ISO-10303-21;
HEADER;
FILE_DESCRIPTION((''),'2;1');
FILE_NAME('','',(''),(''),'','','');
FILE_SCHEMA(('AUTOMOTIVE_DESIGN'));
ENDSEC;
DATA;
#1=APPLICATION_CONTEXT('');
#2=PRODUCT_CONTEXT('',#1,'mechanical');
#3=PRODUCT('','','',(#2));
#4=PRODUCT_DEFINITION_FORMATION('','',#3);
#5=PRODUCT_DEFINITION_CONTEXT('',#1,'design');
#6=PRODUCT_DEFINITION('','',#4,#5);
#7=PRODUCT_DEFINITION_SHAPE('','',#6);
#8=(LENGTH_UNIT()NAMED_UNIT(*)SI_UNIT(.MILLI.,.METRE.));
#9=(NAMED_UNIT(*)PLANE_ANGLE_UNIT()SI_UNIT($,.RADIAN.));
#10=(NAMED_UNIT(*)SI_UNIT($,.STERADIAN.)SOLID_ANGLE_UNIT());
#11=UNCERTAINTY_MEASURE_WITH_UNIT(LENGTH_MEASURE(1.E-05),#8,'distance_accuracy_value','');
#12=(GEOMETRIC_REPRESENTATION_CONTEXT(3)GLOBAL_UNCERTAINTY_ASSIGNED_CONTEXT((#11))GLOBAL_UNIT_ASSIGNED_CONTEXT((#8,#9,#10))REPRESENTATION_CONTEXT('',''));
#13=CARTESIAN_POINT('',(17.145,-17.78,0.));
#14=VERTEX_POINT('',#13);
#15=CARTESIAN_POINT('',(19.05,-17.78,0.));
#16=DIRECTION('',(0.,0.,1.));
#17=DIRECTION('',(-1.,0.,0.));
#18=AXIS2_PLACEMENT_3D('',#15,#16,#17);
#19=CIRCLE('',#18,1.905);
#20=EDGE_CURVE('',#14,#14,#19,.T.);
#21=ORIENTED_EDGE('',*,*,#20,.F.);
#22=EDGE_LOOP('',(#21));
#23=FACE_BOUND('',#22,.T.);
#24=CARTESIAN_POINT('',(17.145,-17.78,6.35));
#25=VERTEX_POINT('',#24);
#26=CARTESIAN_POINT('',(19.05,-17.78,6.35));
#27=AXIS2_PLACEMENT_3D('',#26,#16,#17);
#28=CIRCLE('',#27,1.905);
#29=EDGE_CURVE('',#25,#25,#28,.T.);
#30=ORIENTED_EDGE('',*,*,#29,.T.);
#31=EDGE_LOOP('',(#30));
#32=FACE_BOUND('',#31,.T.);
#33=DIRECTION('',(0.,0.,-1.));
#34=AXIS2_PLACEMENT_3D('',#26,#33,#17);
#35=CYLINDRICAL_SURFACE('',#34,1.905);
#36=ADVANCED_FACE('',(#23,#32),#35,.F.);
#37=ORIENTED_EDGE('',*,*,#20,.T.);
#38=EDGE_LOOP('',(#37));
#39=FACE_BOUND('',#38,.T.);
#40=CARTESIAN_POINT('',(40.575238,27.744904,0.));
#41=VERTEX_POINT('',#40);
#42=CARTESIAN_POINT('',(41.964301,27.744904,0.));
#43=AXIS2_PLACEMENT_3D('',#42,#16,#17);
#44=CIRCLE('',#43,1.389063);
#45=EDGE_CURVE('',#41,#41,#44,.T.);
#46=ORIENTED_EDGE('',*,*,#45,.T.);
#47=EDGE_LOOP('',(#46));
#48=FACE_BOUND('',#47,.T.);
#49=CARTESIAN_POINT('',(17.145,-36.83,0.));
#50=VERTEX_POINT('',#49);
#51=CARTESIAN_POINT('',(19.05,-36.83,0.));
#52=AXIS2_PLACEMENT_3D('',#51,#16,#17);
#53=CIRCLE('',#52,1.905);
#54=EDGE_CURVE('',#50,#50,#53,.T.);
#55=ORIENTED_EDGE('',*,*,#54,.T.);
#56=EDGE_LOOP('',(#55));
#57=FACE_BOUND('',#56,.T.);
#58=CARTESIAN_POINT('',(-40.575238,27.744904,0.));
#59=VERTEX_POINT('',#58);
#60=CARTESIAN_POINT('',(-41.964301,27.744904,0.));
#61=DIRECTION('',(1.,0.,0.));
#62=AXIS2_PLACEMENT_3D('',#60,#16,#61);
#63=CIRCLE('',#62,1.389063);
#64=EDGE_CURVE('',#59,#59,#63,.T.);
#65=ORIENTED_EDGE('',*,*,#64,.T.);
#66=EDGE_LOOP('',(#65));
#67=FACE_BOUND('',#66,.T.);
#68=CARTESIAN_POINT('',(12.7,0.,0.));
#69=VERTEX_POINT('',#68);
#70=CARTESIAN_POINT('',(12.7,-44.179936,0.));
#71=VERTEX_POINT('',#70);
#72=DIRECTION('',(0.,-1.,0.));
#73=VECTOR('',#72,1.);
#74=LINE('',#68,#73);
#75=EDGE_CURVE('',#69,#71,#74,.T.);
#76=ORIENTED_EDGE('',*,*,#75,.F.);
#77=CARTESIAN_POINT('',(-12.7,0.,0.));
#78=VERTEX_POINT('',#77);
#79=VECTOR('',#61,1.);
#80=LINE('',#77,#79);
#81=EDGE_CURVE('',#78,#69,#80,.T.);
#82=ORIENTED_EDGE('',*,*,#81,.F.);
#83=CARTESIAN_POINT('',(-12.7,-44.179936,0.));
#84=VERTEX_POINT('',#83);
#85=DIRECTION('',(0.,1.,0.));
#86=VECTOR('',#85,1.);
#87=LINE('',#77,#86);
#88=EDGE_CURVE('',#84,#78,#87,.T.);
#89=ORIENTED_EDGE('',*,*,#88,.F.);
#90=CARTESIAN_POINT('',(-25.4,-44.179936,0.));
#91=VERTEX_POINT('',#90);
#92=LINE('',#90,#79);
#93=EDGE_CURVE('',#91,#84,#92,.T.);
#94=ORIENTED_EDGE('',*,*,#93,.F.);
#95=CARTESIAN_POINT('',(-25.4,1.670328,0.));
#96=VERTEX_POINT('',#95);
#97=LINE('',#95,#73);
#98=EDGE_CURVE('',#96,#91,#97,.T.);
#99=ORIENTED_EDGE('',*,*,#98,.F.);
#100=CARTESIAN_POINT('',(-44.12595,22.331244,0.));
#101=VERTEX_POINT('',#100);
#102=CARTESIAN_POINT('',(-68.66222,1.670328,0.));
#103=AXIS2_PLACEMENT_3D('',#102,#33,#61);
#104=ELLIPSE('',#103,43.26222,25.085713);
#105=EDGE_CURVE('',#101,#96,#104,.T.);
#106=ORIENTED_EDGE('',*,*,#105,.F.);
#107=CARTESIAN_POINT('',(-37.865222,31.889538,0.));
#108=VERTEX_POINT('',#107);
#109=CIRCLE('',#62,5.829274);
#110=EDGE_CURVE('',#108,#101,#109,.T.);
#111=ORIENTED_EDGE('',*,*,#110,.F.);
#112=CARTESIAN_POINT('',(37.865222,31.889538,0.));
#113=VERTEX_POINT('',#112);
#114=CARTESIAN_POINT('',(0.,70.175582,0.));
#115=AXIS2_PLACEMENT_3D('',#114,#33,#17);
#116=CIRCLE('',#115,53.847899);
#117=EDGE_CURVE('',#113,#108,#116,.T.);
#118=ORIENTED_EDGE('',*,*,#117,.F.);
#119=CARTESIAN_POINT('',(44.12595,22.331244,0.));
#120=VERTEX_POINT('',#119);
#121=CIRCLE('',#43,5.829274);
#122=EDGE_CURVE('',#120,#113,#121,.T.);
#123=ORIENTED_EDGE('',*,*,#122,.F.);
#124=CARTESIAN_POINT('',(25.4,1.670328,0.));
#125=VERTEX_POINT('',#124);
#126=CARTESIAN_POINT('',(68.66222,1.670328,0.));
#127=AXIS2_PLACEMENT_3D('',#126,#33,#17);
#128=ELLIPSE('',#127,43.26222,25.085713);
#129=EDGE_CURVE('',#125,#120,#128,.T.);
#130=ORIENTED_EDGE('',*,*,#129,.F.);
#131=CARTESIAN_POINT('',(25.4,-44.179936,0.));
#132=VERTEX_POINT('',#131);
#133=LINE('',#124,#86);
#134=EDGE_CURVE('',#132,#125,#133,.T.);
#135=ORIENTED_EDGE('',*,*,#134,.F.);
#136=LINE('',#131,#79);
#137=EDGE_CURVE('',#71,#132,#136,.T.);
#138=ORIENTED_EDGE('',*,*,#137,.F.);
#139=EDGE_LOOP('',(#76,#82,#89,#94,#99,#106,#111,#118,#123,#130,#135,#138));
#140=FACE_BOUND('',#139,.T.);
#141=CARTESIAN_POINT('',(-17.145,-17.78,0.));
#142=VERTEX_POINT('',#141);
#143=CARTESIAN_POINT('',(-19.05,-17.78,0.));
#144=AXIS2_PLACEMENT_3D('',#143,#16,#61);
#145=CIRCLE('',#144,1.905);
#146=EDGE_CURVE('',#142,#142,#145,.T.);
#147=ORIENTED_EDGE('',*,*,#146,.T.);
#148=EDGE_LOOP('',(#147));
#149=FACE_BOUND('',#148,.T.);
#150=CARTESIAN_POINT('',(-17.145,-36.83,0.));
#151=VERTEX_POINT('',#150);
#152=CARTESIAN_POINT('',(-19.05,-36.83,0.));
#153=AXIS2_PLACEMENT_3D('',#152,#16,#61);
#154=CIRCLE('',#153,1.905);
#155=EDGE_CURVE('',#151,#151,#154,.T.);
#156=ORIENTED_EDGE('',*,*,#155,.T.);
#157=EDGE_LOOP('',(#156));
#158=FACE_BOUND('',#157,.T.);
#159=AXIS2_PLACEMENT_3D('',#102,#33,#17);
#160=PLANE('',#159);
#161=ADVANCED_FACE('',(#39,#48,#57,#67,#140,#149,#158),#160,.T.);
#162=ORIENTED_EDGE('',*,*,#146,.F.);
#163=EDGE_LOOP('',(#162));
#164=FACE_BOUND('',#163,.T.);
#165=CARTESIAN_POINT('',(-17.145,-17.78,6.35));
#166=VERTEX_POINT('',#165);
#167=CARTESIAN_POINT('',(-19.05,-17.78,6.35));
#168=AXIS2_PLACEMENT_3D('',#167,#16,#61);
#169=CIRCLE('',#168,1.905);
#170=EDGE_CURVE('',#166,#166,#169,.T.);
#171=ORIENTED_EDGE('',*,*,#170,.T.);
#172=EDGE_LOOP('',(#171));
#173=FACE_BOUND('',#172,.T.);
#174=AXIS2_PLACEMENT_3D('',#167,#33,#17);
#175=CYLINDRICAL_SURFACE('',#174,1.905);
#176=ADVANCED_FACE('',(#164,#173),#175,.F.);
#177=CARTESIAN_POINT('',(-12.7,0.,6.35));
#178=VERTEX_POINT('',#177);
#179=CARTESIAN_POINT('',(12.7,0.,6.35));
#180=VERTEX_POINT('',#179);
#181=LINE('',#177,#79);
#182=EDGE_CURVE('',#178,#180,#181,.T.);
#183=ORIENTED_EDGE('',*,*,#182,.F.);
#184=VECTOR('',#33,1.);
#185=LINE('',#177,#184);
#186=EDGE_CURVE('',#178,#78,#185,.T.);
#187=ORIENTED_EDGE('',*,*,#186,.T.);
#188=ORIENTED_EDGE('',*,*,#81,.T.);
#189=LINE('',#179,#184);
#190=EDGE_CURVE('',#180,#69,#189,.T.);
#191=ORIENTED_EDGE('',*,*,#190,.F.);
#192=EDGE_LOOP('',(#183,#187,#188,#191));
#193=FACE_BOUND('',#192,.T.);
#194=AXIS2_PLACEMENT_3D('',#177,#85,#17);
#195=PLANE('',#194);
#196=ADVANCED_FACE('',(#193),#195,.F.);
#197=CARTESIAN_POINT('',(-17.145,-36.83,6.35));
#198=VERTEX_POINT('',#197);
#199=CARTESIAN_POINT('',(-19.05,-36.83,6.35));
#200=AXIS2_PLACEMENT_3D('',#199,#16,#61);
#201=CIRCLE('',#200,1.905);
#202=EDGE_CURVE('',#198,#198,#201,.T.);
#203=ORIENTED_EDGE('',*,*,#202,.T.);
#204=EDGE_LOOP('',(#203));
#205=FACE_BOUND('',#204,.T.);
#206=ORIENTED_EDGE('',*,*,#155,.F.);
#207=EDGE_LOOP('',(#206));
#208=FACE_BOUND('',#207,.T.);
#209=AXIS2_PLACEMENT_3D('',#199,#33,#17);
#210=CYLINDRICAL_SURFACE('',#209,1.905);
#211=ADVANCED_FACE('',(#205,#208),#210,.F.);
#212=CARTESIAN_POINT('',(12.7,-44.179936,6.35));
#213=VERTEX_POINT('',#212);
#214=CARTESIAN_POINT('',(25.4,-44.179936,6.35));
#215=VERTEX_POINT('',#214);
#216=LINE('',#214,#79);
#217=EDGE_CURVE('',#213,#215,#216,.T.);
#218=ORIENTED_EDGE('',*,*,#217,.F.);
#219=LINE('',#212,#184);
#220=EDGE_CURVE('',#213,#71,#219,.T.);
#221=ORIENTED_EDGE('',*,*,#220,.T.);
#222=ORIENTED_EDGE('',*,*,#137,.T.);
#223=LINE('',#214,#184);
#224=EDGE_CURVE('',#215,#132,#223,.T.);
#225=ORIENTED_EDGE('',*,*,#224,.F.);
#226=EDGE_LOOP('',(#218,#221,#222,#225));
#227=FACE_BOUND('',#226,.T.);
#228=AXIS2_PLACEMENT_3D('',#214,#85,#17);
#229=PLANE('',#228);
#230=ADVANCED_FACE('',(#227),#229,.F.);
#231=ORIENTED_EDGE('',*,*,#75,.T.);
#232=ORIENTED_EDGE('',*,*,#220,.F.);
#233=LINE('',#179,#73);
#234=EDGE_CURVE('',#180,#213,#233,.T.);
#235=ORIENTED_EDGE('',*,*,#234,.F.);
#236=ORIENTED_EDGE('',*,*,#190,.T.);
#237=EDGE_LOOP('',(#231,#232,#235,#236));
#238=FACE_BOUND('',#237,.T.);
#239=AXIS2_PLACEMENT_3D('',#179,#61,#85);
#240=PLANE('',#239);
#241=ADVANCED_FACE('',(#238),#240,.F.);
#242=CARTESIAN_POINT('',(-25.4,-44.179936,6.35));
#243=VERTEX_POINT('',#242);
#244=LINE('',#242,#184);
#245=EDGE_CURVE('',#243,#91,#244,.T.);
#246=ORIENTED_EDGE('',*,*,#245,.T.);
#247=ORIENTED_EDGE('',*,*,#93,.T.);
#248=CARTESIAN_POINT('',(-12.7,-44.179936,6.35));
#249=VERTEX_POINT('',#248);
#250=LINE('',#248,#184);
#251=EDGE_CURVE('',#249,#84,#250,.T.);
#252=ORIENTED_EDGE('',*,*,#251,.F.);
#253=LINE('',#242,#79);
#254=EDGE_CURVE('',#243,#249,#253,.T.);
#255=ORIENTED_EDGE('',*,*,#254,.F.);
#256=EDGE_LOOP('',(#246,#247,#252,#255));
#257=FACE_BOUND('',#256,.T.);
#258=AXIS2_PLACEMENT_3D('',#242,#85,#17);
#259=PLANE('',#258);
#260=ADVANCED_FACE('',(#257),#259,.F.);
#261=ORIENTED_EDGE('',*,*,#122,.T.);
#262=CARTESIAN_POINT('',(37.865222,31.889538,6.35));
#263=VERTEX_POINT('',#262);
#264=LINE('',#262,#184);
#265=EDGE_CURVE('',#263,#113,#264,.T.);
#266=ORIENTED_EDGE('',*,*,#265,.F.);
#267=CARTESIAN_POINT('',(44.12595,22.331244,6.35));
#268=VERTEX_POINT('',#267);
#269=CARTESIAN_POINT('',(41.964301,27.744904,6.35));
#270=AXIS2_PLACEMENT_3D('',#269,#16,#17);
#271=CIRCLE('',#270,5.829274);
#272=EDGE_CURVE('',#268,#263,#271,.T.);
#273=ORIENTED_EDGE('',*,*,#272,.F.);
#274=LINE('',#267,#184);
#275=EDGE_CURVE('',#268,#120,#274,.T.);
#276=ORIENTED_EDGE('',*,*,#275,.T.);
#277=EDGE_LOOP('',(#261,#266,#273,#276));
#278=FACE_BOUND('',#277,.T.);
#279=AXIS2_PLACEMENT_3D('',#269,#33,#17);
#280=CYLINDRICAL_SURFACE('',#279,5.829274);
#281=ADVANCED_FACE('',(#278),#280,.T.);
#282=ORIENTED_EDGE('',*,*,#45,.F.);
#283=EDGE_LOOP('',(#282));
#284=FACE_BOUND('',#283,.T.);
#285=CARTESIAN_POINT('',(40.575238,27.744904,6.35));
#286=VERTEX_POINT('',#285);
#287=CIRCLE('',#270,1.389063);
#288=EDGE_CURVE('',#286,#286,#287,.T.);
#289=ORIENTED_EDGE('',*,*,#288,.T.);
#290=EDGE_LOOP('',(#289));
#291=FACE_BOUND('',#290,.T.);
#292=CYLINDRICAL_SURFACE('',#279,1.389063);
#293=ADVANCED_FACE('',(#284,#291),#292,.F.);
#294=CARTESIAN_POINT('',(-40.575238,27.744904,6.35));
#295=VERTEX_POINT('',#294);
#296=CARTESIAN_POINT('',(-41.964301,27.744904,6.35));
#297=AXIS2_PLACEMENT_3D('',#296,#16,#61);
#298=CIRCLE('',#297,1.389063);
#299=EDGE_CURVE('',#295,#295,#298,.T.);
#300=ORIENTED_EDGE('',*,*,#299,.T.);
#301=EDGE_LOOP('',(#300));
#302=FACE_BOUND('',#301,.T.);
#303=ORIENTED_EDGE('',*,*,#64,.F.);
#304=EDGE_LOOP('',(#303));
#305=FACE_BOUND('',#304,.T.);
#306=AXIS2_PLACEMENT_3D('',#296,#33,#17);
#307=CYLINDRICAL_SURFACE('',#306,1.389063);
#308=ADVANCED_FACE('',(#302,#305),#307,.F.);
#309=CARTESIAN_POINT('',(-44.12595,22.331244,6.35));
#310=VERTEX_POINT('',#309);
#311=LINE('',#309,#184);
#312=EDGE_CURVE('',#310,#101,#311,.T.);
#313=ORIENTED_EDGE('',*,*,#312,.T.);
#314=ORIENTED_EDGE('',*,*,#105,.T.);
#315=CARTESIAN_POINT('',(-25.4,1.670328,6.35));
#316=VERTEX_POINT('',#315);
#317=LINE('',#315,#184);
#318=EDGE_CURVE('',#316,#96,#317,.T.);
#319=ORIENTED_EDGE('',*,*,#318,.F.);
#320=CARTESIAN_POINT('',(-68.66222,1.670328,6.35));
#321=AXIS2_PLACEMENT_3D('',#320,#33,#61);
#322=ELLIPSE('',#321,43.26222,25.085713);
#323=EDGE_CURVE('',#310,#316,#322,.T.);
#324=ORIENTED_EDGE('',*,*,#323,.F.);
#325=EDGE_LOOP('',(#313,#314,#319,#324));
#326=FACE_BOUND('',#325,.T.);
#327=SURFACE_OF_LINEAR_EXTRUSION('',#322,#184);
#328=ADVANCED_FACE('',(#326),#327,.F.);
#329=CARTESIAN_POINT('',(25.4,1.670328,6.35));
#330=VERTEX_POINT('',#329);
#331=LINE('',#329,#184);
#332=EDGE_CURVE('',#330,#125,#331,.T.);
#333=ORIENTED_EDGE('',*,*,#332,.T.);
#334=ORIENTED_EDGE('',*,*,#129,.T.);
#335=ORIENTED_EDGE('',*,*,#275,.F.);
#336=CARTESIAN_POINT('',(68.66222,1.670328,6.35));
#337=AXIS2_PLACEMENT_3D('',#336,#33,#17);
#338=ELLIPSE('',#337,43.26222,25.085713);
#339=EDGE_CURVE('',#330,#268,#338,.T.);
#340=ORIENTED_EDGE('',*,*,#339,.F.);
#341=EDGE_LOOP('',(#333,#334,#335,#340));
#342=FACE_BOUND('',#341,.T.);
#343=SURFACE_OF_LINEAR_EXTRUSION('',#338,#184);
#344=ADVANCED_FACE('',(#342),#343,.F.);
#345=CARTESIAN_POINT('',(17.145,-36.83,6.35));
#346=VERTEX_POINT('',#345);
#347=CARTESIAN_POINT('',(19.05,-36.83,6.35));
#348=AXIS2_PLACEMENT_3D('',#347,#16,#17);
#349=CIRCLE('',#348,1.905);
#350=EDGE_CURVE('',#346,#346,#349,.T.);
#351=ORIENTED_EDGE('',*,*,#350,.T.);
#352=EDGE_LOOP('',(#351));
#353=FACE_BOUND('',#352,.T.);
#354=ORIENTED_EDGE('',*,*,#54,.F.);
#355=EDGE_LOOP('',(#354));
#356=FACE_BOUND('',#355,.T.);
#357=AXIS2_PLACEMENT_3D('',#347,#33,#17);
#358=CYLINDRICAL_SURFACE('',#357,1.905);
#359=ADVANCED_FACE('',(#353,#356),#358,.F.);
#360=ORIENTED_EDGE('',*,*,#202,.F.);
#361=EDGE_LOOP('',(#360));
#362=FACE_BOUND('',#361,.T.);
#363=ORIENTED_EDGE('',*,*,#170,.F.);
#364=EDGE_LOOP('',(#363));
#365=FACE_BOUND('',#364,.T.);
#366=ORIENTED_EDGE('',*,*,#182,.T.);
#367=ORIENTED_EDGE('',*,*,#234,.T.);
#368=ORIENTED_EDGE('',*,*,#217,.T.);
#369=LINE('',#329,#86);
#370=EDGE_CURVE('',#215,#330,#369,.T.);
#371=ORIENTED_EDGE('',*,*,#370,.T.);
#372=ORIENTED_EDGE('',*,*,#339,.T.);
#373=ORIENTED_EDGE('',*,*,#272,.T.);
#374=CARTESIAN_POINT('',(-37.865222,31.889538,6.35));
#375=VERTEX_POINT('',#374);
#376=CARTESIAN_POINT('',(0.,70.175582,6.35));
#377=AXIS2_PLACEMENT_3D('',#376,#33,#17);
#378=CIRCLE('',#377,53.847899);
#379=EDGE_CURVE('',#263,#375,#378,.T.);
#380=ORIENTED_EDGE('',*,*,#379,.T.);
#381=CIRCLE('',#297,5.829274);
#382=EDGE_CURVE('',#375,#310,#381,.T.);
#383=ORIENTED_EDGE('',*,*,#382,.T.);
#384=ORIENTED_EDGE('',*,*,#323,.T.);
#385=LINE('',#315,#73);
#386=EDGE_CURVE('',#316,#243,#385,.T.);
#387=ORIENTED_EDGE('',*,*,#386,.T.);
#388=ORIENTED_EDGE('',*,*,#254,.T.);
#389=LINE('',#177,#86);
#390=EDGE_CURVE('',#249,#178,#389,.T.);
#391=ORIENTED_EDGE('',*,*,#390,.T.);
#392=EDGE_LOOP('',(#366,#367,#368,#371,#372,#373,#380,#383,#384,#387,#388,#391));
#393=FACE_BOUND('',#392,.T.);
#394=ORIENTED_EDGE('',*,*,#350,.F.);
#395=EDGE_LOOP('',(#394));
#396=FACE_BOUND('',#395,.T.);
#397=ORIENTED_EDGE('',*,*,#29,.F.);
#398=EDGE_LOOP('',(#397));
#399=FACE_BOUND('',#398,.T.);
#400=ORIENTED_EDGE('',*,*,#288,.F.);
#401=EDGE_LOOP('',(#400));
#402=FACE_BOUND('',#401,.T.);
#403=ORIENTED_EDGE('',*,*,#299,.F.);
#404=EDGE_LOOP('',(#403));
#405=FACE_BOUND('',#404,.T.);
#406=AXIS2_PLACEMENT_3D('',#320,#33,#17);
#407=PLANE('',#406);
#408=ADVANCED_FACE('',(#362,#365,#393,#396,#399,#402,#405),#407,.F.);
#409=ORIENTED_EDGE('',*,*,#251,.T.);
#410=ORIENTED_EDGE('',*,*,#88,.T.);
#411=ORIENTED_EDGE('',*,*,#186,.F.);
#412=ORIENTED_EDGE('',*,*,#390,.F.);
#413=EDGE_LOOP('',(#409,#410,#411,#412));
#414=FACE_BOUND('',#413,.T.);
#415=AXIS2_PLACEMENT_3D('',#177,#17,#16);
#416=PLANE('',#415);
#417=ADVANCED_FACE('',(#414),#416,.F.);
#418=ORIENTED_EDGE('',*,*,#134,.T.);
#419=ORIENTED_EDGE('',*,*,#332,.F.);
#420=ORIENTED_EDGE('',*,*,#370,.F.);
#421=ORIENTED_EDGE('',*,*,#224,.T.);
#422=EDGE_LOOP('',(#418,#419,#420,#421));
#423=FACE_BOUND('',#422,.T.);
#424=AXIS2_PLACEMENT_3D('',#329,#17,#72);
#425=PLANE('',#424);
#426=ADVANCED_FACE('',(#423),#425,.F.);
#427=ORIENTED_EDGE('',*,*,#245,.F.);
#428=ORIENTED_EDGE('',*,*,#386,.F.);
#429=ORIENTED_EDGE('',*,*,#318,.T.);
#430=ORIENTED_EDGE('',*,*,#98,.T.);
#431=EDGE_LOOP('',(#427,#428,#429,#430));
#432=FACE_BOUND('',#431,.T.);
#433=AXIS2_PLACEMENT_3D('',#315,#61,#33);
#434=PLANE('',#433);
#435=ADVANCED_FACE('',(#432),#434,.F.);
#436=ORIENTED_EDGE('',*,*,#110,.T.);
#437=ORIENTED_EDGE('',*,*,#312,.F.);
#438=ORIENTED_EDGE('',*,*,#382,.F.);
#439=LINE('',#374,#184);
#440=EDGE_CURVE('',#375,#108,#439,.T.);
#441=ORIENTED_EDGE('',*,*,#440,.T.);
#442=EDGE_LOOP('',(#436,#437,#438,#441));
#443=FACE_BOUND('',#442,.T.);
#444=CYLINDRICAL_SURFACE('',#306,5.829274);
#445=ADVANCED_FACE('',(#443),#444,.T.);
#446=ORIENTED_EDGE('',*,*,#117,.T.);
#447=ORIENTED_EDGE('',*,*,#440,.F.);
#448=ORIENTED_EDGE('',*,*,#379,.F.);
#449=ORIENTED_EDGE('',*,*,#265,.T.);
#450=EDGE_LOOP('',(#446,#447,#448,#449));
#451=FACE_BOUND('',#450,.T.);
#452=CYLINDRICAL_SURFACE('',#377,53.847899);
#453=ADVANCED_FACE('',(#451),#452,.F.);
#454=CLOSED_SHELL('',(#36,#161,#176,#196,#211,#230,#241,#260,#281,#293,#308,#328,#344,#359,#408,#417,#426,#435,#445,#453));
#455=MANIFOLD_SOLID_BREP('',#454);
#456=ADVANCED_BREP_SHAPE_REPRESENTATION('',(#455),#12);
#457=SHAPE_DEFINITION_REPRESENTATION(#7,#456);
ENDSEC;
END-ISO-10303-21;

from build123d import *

# Parameters (mm, degrees)
SKETCH1_R           = 1.3890625
SKETCH1_R_2         = 1.905
BOSS_EXTRUDE1_DEPTH = 6.35


with BuildPart() as part:
    # Sketch1 → Boss-Extrude1 (new body)
    with BuildSketch(Plane.XY):
        with BuildLine():
            Line((-12.7, 0), (12.7, 0))
            Line((12.7, 0), (12.7, -44.17993629))
            Line((12.7, -44.17993629), (25.4, -44.17993629))
            Line((25.4, -44.17993629), (25.4, 1.670328163))
            add(Edge.make_bspline(
                [(44.125949546, 22.331244449), (25.4, 14.854059832), (25.4, 1.670328163)],
                knots=[5.315433213, 5.315433213, 5.315433213, 6.283185307, 6.283185307, 6.283185307], degree=2, weights=[1, 0.885198386, 1]))
            ThreePointArc((44.125949546, 22.331244449), (46.840636379, 30.938926797), (37.865222263, 31.889537886))
            ThreePointArc((37.865222263, 31.889537886), (0, 16.327682908), (-37.865222263, 31.889537886))
            ThreePointArc((-37.865222263, 31.889537886), (-46.840636379, 30.938926797), (-44.125949546, 22.331244449))
            add(Edge.make_bspline(
                [(-25.4, 1.670328163), (-25.4, 14.854059832), (-44.125949546, 22.331244449)],
                knots=[0, 0, 0, 0.967752094, 0.967752094, 0.967752094], degree=2, weights=[1, 0.885198386, 1]))
            Line((-25.4, 1.670328163), (-25.4, -44.17993629))
            Line((-25.4, -44.17993629), (-12.7, -44.17993629))
            Line((-12.7, -44.17993629), (-12.7, 0))
        make_face()
        with Locations(Location((41.964300524, 27.744903812, 0), (0, 0, 180))):
            Circle(SKETCH1_R, mode=Mode.SUBTRACT)
        with Locations((-41.964300524, 27.744903812)):
            Circle(SKETCH1_R, mode=Mode.SUBTRACT)
        with Locations((-19.05, -17.78)):
            Circle(SKETCH1_R_2, mode=Mode.SUBTRACT)
        with Locations((-19.05, -36.83)):
            Circle(SKETCH1_R_2, mode=Mode.SUBTRACT)
        with Locations(Location((19.05, -36.83, 0), (0, 0, 180))):
            Circle(SKETCH1_R_2, mode=Mode.SUBTRACT)
        with Locations(Location((19.05, -17.78, 0), (0, 0, 180))):
            Circle(SKETCH1_R_2, mode=Mode.SUBTRACT)
    extrude(amount=BOSS_EXTRUDE1_DEPTH)


solid = part.part
